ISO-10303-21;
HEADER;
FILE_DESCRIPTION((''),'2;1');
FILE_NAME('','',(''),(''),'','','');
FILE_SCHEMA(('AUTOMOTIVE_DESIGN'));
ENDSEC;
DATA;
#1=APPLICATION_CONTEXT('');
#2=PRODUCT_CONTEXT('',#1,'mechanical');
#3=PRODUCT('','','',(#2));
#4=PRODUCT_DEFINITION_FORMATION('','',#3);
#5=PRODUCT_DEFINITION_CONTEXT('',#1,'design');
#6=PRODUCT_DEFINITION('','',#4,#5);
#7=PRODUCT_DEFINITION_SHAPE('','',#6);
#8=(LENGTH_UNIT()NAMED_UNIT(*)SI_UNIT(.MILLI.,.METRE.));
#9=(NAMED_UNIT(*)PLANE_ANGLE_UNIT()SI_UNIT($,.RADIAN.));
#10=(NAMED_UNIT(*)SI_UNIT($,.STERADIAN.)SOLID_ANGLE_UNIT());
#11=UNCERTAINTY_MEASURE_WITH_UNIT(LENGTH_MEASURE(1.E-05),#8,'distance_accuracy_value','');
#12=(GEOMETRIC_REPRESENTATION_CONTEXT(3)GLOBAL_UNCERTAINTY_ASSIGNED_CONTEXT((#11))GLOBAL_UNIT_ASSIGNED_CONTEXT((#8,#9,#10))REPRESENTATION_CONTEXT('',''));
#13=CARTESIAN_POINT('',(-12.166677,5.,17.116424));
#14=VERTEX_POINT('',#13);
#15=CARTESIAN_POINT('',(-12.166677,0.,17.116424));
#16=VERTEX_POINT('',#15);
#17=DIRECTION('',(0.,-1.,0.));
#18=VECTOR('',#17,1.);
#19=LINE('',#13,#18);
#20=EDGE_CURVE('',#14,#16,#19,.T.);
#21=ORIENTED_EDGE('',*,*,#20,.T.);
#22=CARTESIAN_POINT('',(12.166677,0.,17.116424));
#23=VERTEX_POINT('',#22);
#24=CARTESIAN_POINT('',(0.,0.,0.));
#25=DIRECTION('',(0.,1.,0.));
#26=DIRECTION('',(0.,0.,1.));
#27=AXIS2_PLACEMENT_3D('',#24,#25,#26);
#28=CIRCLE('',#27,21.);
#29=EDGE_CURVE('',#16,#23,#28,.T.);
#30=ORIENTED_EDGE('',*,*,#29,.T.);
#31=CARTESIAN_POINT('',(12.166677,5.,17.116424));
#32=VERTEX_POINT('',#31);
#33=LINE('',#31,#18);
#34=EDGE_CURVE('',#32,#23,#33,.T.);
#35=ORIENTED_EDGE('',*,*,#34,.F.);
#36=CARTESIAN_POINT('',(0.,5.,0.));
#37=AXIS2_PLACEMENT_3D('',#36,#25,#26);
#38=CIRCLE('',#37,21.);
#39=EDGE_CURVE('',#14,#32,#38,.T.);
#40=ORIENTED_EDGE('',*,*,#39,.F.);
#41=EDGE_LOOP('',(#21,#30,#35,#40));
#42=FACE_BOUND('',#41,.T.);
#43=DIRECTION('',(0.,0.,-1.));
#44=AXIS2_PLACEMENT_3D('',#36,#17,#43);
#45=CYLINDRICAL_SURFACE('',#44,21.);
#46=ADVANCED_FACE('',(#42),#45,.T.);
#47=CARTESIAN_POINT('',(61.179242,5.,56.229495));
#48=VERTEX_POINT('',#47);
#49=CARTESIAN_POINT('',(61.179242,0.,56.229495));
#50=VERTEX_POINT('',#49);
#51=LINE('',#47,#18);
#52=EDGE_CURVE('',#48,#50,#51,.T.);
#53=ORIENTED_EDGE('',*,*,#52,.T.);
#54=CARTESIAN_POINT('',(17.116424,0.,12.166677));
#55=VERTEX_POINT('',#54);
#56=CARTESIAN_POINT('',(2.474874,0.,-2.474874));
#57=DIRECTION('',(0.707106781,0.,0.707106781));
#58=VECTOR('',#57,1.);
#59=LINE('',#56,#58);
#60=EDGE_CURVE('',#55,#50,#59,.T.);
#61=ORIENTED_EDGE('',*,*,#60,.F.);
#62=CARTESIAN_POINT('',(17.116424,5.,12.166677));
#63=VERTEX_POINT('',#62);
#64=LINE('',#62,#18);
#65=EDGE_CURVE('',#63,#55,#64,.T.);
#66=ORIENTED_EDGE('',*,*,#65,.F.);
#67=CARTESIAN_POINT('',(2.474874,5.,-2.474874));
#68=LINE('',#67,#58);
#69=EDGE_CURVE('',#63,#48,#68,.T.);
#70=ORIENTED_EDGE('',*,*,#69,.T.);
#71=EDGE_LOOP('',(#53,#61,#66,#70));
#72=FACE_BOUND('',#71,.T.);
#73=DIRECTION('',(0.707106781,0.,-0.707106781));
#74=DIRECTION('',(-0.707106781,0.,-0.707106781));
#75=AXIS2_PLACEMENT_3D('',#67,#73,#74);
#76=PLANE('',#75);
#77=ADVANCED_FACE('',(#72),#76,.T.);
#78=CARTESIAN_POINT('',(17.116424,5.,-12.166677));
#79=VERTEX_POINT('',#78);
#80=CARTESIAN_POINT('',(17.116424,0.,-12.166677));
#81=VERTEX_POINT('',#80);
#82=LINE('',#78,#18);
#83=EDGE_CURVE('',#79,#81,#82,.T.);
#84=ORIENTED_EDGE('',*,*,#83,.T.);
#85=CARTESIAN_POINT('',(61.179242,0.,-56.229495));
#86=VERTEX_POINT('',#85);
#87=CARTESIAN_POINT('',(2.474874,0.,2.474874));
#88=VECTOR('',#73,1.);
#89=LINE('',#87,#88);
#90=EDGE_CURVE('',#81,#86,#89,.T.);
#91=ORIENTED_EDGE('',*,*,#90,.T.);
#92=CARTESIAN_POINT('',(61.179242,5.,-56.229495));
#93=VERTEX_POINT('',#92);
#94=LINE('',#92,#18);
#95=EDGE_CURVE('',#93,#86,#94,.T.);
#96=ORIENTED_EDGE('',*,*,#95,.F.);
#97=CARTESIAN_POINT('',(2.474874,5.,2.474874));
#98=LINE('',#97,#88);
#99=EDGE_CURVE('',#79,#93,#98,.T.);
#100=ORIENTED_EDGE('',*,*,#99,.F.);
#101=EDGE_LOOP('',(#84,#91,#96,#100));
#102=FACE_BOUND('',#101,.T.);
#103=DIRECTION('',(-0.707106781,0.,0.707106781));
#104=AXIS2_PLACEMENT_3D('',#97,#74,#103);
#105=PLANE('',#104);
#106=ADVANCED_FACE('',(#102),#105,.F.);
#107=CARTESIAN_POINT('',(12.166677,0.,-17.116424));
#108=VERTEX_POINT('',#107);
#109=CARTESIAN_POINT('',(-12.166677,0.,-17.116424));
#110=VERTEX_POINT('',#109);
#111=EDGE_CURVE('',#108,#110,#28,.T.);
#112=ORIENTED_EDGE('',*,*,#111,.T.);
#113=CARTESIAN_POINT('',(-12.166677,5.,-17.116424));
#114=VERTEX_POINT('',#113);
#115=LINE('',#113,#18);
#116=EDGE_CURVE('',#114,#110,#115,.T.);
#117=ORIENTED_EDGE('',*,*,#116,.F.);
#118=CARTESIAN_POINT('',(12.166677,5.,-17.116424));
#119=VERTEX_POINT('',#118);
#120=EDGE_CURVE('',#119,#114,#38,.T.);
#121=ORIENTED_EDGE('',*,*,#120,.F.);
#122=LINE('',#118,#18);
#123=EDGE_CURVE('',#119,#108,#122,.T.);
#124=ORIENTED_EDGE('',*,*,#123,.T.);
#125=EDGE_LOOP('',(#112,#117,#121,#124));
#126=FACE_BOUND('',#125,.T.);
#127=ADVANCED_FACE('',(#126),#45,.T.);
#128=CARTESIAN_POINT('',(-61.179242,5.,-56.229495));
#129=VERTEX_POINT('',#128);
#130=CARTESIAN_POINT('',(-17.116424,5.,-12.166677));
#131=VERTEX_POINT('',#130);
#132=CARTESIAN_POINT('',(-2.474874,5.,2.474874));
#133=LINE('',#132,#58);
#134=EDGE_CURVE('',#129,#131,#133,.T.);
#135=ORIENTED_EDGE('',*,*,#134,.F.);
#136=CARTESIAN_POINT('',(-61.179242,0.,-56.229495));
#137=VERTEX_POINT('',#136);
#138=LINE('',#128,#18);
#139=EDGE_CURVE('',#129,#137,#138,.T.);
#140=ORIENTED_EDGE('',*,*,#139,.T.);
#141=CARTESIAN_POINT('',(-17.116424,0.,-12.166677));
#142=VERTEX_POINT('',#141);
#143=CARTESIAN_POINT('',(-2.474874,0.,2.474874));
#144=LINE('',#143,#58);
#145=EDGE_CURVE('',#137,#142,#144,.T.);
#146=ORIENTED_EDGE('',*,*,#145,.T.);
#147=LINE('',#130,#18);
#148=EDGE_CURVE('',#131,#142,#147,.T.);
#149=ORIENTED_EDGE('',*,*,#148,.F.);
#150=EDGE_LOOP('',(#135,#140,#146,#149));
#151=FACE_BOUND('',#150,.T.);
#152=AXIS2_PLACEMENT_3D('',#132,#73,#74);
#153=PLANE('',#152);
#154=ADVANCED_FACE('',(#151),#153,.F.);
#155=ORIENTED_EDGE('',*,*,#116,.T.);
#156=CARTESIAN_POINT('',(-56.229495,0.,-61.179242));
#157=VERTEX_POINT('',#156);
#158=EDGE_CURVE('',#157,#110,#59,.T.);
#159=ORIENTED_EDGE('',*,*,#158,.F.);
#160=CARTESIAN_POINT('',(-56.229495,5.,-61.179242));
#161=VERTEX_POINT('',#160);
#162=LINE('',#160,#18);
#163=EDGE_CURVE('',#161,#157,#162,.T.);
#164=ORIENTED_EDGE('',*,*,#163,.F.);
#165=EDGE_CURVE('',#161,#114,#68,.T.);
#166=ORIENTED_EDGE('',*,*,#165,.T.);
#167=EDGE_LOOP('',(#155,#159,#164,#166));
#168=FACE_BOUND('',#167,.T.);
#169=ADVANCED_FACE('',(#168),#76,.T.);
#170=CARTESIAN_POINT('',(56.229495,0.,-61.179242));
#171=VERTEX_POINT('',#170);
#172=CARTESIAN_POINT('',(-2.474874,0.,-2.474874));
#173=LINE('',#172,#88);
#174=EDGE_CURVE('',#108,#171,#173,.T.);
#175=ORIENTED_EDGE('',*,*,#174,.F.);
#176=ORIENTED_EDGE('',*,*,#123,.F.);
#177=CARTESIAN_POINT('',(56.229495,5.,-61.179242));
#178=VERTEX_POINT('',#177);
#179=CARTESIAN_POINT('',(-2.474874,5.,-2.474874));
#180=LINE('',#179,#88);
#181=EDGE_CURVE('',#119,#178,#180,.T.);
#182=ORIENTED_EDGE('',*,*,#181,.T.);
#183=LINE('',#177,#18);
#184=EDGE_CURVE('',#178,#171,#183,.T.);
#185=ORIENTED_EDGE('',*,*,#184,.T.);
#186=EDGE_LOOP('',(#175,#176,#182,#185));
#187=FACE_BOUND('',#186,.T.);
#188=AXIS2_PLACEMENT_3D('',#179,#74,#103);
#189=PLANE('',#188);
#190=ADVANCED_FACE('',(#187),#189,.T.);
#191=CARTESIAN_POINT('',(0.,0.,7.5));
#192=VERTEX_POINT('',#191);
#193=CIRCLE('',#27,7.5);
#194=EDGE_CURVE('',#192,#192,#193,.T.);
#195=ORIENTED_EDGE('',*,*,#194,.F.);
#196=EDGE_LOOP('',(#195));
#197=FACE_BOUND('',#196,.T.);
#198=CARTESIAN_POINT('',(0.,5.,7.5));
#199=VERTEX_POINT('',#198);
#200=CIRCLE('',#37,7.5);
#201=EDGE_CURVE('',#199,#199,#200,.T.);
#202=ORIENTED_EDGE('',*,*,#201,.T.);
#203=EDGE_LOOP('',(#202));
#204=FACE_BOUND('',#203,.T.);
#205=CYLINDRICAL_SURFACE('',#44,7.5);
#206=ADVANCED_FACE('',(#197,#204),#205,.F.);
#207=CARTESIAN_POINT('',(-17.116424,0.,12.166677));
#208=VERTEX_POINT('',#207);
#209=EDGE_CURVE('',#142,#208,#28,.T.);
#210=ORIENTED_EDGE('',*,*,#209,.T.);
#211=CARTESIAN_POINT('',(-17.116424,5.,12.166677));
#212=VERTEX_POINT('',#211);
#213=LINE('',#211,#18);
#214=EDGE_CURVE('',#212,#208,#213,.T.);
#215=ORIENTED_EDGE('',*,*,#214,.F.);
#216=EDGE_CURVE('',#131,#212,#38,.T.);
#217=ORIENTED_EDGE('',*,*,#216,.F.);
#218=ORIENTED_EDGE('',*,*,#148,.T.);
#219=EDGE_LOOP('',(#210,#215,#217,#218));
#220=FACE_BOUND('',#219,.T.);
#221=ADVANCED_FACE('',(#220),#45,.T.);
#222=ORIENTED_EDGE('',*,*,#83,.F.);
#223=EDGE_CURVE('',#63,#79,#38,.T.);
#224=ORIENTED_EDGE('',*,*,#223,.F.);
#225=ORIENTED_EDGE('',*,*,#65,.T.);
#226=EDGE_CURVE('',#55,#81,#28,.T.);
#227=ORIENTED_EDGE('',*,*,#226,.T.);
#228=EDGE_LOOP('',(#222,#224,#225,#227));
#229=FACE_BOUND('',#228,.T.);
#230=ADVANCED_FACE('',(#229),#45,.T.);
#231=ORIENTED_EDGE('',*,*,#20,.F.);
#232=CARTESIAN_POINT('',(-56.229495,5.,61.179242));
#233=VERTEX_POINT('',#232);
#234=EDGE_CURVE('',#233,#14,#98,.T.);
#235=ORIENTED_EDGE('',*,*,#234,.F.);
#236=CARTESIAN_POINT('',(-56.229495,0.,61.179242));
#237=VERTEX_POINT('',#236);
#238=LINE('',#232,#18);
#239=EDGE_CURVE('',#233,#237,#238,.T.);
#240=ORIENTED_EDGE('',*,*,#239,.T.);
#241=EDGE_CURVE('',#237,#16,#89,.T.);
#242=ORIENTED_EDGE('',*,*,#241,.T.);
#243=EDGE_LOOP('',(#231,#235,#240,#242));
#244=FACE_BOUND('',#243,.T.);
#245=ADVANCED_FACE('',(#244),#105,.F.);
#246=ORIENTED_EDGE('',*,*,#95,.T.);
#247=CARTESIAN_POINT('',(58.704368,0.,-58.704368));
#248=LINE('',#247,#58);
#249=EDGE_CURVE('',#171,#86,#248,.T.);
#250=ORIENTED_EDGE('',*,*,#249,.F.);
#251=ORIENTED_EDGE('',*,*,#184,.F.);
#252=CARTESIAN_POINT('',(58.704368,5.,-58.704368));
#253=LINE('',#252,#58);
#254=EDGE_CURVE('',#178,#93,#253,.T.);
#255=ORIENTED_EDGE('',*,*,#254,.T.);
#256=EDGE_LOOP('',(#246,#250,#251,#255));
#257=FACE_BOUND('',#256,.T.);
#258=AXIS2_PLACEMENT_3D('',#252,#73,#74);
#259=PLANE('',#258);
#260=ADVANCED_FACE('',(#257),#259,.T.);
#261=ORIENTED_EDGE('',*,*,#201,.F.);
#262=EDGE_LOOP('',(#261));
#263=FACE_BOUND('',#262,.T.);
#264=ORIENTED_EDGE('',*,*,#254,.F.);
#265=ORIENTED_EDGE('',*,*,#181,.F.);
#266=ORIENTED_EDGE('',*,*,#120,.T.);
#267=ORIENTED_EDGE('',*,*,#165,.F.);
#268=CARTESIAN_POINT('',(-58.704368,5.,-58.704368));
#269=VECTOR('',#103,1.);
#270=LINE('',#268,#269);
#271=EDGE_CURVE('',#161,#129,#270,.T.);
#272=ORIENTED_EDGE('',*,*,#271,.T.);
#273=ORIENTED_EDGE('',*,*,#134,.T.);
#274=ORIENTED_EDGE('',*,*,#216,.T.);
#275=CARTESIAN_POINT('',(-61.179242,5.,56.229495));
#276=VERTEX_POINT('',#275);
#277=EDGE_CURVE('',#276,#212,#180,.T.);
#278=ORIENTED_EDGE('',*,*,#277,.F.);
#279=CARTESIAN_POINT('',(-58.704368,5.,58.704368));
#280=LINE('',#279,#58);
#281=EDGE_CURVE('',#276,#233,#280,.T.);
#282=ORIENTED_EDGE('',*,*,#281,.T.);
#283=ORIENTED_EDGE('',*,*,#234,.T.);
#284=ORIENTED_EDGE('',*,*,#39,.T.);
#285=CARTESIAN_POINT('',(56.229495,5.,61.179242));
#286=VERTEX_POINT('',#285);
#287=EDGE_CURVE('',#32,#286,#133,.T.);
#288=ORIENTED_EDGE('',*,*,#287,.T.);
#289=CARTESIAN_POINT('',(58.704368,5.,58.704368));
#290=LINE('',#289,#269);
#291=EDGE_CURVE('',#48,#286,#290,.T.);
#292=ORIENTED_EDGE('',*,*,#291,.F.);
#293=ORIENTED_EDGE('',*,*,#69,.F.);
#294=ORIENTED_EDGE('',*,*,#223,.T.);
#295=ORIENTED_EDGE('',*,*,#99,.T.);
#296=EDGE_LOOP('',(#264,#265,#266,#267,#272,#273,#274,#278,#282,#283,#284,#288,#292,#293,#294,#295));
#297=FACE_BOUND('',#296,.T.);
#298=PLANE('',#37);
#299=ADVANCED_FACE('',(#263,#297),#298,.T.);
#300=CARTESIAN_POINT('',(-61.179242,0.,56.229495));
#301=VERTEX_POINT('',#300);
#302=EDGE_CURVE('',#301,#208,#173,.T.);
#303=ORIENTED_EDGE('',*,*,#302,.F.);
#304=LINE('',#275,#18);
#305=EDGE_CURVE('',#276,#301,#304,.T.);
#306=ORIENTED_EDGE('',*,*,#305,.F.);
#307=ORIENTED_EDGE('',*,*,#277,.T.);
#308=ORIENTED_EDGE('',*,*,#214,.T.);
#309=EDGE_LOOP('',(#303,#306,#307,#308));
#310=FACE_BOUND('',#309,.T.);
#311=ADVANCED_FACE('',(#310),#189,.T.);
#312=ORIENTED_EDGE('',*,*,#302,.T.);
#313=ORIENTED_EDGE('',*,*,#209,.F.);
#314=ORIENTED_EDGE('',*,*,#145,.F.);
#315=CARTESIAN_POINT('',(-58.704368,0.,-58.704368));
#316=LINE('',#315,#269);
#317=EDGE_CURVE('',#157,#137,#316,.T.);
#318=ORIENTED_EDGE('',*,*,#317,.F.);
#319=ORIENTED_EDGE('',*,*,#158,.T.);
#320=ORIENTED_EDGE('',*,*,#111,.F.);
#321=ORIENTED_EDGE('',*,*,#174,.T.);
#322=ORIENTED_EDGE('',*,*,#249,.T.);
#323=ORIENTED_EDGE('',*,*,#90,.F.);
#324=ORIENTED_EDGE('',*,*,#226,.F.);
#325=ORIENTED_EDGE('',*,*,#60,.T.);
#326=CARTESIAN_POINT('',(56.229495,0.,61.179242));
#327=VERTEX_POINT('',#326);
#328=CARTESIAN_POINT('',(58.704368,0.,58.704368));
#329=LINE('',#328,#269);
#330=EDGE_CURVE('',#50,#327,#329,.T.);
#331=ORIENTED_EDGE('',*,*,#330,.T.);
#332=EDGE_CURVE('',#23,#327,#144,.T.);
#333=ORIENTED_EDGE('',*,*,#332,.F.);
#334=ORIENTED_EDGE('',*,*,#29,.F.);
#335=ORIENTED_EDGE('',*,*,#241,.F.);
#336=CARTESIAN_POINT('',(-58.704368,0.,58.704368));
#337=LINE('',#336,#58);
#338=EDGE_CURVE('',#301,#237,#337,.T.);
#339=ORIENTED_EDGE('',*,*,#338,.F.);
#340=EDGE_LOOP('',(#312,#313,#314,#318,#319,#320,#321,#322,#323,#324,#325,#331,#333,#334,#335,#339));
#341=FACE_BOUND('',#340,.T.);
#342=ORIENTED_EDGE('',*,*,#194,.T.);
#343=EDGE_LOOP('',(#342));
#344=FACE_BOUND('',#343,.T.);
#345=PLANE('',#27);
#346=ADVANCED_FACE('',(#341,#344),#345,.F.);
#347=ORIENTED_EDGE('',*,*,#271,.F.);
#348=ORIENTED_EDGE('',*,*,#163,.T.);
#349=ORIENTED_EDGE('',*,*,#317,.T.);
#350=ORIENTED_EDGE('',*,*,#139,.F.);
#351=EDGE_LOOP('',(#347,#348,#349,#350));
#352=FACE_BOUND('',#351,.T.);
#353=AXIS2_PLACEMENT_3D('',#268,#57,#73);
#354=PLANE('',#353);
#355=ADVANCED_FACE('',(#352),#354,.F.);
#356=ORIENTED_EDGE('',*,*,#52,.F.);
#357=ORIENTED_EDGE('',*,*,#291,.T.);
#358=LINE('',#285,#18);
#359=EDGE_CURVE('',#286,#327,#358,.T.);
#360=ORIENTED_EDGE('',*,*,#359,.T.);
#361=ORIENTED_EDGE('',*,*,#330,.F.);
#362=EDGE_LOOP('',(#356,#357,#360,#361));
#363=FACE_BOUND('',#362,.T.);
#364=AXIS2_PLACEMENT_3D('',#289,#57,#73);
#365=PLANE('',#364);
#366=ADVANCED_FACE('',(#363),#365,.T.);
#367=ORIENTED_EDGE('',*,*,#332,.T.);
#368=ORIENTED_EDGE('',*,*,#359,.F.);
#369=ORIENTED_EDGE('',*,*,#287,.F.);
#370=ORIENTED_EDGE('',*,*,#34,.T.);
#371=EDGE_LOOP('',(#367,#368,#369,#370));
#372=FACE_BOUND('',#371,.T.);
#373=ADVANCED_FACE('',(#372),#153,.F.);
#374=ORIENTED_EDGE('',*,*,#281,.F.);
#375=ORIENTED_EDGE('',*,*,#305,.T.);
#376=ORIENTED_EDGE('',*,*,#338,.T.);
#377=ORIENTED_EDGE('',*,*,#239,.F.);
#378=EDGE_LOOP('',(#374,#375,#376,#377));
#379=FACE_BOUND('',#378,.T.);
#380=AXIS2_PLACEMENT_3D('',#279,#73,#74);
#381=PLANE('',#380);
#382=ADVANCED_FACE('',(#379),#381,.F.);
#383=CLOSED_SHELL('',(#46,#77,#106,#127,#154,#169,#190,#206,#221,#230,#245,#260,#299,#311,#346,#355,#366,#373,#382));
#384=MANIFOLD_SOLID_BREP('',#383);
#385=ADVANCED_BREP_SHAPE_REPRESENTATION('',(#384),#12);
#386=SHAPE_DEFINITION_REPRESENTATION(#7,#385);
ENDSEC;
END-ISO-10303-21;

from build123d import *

# Parameters (mm, degrees)
SKETCH_1_R      = 7.5
EXTRUDE_1_DEPTH = 5


with BuildPart() as part:
    # Эскиз1 → Бобышка-Вытянуть1 (new body)
    with BuildSketch(Plane(origin=(0, 0, 0), x_dir=(1, 0, 0), z_dir=(0, 1, 0))):
        with BuildLine():
            Line((-17.116424198, -12.16667673), (-61.179242059, -56.229494591))
            Line((-61.179242059, -56.229494591), (-56.229494591, -61.179242059))
            Line((-56.229494591, -61.179242059), (-12.16667673, -17.116424198))
            ThreePointArc((-12.16667673, -17.116424198), (0, -21), (12.16667673, -17.116424198))
            Line((12.16667673, -17.116424198), (56.229494591, -61.179242059))
            Line((56.229494591, -61.179242059), (61.179242059, -56.229494591))
            Line((61.179242059, -56.229494591), (17.116424198, -12.16667673))
            ThreePointArc((17.116424198, -12.16667673), (21, 0), (17.116424198, 12.16667673))
            Line((17.116424198, 12.16667673), (61.179242059, 56.229494591))
            Line((61.179242059, 56.229494591), (56.229494591, 61.179242059))
            Line((56.229494591, 61.179242059), (12.16667673, 17.116424198))
            ThreePointArc((12.16667673, 17.116424198), (0, 21), (-12.16667673, 17.116424198))
            Line((-12.16667673, 17.116424198), (-56.229494591, 61.179242059))
            Line((-56.229494591, 61.179242059), (-61.179242059, 56.229494591))
            Line((-61.179242059, 56.229494591), (-17.116424198, 12.16667673))
            ThreePointArc((-17.116424198, 12.16667673), (-21, 0), (-17.116424198, -12.16667673))
        make_face()
        Circle(SKETCH_1_R, mode=Mode.SUBTRACT)
    extrude(amount=EXTRUDE_1_DEPTH)


solid = part.part
